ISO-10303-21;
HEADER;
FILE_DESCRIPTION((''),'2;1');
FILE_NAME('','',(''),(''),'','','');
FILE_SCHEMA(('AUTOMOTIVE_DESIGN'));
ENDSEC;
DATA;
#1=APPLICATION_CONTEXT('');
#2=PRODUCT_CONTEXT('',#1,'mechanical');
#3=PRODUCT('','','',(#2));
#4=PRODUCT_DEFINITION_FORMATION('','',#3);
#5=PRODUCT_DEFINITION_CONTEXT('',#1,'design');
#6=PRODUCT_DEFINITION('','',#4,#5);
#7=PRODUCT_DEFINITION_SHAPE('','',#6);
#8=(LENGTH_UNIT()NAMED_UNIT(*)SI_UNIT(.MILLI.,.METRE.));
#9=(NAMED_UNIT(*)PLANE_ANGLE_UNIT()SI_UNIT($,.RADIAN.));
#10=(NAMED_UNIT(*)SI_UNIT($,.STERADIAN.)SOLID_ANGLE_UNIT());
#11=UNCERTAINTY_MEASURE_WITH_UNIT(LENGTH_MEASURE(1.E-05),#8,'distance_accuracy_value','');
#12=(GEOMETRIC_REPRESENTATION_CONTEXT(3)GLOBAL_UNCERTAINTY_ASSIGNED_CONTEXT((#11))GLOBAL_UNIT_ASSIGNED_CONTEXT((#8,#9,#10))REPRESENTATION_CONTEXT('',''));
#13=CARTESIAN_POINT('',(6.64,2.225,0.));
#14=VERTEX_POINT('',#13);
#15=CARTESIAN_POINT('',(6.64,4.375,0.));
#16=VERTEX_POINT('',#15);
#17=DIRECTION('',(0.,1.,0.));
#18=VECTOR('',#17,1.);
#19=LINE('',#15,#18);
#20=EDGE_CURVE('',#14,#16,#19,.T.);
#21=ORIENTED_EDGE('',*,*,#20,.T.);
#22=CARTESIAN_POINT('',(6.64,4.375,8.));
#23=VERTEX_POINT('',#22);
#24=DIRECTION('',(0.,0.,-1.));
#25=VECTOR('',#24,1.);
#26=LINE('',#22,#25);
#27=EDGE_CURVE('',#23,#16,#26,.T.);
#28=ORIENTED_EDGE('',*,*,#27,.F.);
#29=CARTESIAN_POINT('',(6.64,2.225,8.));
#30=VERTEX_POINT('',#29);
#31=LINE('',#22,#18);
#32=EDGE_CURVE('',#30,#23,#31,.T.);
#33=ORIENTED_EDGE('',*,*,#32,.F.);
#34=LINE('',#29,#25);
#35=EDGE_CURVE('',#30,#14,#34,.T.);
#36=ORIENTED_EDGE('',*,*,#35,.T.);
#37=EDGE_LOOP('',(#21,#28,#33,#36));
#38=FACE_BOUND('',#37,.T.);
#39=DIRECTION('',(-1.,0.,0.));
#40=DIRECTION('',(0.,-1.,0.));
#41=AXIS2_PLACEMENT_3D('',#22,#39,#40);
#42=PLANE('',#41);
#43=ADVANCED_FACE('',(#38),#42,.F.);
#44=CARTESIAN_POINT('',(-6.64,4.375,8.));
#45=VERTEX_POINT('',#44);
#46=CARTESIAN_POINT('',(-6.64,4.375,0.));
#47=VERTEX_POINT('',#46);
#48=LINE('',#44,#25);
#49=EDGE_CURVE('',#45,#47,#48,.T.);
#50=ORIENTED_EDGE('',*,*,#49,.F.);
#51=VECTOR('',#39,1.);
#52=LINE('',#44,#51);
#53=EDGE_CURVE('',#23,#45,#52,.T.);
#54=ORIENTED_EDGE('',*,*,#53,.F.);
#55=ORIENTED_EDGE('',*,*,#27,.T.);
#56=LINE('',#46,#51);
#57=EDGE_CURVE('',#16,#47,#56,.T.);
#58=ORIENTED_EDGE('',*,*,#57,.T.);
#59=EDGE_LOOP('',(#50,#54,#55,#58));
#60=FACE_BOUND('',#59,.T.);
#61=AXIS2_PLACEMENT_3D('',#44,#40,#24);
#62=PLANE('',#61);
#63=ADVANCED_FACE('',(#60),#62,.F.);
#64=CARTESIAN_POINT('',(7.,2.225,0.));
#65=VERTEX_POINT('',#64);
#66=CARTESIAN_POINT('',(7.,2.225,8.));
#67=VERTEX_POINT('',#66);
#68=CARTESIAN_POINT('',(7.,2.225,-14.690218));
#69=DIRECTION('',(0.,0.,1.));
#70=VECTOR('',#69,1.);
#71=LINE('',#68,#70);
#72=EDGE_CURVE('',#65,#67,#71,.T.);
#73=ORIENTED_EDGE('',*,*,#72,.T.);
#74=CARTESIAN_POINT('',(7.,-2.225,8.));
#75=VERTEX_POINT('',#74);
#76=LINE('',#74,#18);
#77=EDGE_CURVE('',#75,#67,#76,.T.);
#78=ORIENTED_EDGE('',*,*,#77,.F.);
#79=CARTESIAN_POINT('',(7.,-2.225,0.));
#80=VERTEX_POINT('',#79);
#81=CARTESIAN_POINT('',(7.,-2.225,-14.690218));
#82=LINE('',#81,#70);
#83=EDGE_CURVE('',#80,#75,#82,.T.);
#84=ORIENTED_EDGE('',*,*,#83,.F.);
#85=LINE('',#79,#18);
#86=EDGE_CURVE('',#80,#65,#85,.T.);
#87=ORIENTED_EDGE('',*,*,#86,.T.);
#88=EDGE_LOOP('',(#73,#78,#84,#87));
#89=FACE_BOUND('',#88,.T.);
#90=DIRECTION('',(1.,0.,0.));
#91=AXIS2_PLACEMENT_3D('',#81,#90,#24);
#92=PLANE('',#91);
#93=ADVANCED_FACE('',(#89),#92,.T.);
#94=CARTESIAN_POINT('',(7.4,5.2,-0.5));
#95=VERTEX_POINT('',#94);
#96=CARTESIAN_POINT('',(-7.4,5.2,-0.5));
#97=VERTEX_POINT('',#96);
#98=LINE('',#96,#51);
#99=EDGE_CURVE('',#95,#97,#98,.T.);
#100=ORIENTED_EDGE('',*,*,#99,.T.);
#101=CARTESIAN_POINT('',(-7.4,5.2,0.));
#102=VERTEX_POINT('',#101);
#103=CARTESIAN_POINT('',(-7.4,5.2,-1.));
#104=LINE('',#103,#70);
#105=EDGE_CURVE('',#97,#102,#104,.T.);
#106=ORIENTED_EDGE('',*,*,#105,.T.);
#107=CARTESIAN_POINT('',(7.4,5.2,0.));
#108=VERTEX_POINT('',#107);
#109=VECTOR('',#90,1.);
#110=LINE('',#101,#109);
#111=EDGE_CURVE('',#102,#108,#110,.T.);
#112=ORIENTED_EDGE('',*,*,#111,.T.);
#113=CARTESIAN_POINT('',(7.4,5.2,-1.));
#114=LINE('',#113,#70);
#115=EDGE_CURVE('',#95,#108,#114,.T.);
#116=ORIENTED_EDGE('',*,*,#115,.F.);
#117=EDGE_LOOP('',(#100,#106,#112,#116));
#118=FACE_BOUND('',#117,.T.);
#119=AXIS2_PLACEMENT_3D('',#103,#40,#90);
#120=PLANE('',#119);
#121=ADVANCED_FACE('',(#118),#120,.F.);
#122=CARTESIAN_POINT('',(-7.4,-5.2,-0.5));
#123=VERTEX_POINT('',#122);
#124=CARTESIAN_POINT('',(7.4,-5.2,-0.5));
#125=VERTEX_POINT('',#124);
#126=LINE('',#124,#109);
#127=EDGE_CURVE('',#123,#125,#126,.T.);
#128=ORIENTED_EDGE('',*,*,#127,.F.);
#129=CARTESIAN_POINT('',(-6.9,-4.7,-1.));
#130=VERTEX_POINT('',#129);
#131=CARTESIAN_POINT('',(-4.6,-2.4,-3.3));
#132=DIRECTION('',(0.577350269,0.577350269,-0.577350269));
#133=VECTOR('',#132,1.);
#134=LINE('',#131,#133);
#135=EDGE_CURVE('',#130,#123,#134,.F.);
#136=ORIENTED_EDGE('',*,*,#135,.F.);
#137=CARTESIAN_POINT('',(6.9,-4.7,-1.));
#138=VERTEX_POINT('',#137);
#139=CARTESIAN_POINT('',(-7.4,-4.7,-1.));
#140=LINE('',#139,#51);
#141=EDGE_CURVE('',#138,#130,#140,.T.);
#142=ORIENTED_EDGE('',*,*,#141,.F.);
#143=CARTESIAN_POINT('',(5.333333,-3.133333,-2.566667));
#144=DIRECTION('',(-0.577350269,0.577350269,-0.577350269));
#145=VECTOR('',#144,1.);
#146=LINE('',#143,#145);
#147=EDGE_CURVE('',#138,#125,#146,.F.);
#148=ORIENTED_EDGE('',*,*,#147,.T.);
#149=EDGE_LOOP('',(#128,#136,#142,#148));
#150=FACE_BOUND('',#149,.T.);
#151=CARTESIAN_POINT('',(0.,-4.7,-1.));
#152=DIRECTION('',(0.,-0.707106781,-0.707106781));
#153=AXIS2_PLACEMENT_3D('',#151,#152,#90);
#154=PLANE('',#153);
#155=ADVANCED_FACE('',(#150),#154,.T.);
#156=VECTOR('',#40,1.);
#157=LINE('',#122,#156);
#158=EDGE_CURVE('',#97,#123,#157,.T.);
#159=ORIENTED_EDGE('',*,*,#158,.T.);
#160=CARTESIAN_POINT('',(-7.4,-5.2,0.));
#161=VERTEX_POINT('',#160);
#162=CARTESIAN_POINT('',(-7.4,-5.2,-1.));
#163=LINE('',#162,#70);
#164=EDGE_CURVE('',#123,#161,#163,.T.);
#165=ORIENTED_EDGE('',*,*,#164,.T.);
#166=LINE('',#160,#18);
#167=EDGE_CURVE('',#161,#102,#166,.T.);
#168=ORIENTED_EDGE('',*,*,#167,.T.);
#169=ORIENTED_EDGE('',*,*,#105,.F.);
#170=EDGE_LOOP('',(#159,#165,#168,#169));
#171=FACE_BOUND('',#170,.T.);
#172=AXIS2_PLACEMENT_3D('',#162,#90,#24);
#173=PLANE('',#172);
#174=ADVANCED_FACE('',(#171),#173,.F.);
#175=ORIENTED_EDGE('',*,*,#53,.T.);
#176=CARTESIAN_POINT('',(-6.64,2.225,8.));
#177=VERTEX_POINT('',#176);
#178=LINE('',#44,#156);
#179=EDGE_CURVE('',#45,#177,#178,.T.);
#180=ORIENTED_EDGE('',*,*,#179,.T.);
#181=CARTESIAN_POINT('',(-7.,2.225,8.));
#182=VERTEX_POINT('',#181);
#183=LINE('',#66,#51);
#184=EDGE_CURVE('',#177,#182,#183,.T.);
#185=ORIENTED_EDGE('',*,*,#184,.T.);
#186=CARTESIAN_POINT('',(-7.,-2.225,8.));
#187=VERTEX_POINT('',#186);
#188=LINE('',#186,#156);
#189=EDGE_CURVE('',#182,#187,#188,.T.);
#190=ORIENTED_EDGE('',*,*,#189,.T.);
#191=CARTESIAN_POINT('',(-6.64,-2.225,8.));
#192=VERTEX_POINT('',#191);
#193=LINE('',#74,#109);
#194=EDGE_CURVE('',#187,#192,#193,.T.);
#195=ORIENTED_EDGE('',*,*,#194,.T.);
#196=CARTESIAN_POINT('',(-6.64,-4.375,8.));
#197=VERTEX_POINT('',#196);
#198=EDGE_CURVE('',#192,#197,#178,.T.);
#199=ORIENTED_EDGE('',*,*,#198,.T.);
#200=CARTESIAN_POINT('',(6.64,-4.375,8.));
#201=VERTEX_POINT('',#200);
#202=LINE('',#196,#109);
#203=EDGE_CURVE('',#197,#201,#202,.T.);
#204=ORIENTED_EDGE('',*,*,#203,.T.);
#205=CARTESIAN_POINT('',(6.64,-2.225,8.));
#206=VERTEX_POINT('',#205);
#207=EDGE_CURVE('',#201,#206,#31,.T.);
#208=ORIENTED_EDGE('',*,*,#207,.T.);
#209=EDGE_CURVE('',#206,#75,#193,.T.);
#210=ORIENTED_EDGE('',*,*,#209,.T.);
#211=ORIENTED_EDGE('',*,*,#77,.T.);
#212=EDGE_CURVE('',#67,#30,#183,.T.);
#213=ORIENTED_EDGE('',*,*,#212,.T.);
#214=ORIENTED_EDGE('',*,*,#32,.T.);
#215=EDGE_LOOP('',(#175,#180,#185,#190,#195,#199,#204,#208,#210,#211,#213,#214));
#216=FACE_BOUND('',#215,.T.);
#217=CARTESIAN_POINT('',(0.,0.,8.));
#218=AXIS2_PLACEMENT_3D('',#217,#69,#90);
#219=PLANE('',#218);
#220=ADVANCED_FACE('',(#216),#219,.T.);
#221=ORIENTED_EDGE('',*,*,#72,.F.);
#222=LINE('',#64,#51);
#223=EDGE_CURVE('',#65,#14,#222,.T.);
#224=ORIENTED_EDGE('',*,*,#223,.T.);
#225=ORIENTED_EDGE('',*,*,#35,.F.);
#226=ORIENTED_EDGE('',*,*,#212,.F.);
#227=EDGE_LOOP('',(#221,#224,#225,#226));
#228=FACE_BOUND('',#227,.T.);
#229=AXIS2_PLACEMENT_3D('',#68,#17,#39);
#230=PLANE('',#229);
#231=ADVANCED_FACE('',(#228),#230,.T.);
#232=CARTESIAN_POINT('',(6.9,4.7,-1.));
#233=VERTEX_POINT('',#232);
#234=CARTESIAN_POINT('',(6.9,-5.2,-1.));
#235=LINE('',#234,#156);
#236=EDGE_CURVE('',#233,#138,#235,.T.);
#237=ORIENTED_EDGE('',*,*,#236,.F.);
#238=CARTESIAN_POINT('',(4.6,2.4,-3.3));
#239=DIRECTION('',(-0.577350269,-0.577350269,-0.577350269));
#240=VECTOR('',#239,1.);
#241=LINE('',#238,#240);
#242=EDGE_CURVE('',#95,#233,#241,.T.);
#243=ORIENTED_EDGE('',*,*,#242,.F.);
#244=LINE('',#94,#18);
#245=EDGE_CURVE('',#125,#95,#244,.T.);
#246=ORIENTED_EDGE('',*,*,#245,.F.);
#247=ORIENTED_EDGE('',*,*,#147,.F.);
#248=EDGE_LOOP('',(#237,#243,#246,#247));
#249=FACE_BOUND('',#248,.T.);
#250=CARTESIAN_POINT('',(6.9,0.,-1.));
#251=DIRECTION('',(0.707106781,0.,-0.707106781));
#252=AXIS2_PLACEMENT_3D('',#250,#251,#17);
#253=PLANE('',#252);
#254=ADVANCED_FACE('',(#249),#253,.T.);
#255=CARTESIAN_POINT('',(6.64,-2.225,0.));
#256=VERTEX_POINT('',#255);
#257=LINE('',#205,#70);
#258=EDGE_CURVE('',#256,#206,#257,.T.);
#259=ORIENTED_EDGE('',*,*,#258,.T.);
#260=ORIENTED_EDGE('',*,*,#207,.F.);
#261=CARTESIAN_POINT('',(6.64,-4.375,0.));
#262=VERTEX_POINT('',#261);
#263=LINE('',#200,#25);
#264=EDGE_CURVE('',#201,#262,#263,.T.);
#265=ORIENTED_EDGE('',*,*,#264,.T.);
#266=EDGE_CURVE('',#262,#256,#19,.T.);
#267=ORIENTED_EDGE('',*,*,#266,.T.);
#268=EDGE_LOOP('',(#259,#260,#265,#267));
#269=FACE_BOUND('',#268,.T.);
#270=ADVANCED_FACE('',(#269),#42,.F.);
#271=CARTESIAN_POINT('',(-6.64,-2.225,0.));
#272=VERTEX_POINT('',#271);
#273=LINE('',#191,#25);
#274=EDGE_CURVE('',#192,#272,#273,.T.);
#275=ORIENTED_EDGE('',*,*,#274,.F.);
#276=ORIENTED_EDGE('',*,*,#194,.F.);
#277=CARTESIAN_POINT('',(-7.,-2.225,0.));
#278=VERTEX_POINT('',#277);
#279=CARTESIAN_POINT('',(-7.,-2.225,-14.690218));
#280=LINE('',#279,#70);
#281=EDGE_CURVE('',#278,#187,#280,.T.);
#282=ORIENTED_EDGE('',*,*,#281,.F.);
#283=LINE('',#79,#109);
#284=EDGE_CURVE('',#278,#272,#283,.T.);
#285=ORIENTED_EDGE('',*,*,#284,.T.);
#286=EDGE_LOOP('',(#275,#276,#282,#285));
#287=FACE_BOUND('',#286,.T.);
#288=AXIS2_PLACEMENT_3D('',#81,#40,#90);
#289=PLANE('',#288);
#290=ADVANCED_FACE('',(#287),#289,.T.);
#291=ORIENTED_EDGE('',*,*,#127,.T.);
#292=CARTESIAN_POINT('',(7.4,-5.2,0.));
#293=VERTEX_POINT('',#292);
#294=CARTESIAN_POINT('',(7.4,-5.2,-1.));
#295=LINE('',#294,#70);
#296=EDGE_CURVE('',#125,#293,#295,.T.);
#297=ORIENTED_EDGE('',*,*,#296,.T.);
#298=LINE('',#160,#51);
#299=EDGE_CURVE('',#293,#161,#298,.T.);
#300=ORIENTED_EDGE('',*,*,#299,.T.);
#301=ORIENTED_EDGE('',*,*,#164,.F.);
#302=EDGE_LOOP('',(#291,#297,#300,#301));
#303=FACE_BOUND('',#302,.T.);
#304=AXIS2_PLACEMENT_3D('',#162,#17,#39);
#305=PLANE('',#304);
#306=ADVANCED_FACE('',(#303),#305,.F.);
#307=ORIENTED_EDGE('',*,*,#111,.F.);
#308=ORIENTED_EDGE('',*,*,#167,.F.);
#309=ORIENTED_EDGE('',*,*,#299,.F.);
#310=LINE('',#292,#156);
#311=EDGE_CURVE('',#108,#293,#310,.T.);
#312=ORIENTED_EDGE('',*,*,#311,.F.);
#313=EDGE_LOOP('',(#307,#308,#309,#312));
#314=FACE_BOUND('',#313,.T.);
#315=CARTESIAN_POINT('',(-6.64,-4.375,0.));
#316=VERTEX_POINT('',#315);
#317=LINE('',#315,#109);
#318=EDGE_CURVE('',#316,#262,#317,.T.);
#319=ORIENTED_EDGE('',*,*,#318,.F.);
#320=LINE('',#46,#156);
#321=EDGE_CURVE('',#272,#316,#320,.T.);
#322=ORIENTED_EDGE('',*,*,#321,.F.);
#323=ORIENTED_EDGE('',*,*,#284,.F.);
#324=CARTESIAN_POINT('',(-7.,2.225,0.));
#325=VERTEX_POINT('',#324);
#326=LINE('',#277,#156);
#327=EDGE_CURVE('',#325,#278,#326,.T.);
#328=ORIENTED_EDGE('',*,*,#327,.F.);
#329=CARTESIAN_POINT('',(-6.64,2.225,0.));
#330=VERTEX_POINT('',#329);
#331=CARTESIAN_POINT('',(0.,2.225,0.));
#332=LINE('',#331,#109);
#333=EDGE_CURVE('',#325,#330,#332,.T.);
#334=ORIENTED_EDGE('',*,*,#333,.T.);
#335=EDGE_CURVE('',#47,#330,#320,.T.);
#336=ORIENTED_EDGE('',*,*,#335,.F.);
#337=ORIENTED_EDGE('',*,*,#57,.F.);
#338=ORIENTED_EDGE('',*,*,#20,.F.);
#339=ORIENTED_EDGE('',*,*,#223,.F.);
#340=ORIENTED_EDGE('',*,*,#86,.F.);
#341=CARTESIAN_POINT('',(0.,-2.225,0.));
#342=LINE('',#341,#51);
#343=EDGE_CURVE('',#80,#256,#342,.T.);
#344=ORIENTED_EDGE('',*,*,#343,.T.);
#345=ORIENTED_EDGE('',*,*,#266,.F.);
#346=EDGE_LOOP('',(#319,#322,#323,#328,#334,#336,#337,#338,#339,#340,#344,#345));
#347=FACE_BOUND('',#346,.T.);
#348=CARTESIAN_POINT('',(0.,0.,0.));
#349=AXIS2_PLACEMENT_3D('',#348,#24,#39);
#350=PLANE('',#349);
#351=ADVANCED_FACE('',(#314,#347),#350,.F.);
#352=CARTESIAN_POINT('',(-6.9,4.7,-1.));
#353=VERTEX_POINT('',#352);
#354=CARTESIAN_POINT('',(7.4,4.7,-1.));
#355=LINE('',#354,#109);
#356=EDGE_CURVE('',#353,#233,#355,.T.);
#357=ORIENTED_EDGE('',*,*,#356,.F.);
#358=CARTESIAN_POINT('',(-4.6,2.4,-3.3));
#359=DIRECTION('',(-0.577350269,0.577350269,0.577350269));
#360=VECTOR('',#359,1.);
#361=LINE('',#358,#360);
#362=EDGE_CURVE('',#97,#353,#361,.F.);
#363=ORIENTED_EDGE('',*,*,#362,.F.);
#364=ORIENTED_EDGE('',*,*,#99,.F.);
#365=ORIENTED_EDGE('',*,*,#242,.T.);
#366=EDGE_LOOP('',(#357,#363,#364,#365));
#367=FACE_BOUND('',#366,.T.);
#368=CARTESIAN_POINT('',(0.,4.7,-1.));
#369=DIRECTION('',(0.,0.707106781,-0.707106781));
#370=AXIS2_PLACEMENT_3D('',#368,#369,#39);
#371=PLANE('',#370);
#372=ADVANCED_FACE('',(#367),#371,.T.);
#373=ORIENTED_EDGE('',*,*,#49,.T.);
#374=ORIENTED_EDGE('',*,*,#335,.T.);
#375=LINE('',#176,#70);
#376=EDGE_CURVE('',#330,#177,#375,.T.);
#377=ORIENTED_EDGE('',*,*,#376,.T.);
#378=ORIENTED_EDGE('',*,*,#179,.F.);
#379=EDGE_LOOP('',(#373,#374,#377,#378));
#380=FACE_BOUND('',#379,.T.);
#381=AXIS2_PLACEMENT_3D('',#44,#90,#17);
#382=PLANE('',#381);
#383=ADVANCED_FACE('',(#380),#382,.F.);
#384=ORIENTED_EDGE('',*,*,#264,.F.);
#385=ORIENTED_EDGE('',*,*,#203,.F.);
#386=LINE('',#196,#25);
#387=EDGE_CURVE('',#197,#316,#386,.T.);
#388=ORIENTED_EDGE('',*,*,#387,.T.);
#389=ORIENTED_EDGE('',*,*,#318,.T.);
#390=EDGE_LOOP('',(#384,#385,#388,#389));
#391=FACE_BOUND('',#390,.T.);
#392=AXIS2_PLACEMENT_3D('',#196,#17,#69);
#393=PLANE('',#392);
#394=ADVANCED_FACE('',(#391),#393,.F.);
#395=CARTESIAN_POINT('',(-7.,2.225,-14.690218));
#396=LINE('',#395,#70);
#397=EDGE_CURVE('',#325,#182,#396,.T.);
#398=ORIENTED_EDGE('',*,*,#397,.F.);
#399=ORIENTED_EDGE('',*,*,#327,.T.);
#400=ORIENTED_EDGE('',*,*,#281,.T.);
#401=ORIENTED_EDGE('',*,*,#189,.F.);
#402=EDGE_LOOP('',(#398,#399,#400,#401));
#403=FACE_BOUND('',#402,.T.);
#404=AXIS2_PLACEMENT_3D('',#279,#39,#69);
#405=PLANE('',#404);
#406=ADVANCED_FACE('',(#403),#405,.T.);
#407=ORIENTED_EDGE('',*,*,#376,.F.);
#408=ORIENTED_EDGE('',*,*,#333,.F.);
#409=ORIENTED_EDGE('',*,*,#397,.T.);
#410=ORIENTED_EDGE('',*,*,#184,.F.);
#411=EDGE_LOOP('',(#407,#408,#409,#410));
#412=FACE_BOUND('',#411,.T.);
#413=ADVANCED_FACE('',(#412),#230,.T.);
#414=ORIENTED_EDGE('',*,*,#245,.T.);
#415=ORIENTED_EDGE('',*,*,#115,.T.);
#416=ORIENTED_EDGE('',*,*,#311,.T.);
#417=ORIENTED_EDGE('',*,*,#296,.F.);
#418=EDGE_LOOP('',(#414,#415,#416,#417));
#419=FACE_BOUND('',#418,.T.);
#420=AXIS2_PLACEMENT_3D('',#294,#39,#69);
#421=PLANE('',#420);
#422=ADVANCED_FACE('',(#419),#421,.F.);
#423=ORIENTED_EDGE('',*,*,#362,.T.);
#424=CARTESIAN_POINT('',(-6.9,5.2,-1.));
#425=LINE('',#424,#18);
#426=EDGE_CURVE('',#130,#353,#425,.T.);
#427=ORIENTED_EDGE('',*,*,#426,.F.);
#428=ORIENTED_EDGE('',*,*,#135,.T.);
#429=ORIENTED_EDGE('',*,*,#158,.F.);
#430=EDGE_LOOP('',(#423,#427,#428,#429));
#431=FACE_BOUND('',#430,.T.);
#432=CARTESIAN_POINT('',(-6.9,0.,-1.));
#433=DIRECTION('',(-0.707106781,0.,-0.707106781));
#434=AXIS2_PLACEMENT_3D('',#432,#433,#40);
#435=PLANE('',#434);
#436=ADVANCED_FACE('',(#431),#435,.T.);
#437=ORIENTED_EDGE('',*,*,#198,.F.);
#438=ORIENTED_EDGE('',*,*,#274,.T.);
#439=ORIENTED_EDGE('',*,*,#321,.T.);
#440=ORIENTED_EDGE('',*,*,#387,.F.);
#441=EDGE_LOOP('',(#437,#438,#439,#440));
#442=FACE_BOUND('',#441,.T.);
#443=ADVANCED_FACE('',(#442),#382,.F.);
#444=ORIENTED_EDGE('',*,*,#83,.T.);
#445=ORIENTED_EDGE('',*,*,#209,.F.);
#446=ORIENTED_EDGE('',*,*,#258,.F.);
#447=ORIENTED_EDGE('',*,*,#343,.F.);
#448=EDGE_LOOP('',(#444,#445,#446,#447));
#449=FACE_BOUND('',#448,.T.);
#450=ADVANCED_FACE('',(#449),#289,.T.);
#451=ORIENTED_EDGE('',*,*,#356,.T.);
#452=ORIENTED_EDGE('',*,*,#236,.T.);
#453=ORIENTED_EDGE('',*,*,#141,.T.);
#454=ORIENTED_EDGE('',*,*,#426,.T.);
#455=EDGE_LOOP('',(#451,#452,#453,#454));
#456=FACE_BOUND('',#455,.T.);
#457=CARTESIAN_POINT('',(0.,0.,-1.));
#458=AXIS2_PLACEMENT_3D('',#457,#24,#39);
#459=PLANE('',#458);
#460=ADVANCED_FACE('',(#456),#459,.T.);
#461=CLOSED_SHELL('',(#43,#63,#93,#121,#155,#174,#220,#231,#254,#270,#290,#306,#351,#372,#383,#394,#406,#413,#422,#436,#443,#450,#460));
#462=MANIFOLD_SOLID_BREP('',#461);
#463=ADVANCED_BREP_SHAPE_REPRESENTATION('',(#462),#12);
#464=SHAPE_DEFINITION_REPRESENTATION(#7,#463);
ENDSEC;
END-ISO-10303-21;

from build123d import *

# Parameters (mm, degrees)
SKETCH1_W           = 13.28
SKETCH1_H           = 8.75
BOSS_EXTRUDE1_DEPTH = 8
SKETCH2_W           = 14.8
SKETCH2_H           = 10.4
BOSS_EXTRUDE2_DEPTH = 1
CHAMFER2_SIZE       = 0.5
SKETCH3_W           = 14
SKETCH3_H           = 4.45
BOSS_EXTRUDE3_DEPTH = 8


with BuildPart() as part:
    # Sketch1 → Boss-Extrude1 (new body)
    with BuildSketch(Plane.XY):
        Rectangle(SKETCH1_W, SKETCH1_H)
    extrude(amount=BOSS_EXTRUDE1_DEPTH)

    # Sketch2 → Boss-Extrude2 (add)
    with BuildSketch(Plane(origin=(0, 0, 0), x_dir=(-1, 0, 0), z_dir=(0, 0, -1))):
        Rectangle(SKETCH2_W, SKETCH2_H)
    extrude(amount=BOSS_EXTRUDE2_DEPTH)

    # Chamfer2
    chamfer2_edges = [part.edges().sort_by_distance(p)[0] for p in [
        (7.4, 0, -1),
        (0, -5.2, -1),
        (-7.4, 0, -1),
        (0, 5.2, -1),
    ]]
    chamfer(chamfer2_edges, length=CHAMFER2_SIZE)

    # Sketch3 → Boss-Extrude3 (add)
    with BuildSketch(Plane.XY.offset(8)):
        Rectangle(SKETCH3_W, SKETCH3_H)
    extrude(amount=-BOSS_EXTRUDE3_DEPTH)


solid = part.part
